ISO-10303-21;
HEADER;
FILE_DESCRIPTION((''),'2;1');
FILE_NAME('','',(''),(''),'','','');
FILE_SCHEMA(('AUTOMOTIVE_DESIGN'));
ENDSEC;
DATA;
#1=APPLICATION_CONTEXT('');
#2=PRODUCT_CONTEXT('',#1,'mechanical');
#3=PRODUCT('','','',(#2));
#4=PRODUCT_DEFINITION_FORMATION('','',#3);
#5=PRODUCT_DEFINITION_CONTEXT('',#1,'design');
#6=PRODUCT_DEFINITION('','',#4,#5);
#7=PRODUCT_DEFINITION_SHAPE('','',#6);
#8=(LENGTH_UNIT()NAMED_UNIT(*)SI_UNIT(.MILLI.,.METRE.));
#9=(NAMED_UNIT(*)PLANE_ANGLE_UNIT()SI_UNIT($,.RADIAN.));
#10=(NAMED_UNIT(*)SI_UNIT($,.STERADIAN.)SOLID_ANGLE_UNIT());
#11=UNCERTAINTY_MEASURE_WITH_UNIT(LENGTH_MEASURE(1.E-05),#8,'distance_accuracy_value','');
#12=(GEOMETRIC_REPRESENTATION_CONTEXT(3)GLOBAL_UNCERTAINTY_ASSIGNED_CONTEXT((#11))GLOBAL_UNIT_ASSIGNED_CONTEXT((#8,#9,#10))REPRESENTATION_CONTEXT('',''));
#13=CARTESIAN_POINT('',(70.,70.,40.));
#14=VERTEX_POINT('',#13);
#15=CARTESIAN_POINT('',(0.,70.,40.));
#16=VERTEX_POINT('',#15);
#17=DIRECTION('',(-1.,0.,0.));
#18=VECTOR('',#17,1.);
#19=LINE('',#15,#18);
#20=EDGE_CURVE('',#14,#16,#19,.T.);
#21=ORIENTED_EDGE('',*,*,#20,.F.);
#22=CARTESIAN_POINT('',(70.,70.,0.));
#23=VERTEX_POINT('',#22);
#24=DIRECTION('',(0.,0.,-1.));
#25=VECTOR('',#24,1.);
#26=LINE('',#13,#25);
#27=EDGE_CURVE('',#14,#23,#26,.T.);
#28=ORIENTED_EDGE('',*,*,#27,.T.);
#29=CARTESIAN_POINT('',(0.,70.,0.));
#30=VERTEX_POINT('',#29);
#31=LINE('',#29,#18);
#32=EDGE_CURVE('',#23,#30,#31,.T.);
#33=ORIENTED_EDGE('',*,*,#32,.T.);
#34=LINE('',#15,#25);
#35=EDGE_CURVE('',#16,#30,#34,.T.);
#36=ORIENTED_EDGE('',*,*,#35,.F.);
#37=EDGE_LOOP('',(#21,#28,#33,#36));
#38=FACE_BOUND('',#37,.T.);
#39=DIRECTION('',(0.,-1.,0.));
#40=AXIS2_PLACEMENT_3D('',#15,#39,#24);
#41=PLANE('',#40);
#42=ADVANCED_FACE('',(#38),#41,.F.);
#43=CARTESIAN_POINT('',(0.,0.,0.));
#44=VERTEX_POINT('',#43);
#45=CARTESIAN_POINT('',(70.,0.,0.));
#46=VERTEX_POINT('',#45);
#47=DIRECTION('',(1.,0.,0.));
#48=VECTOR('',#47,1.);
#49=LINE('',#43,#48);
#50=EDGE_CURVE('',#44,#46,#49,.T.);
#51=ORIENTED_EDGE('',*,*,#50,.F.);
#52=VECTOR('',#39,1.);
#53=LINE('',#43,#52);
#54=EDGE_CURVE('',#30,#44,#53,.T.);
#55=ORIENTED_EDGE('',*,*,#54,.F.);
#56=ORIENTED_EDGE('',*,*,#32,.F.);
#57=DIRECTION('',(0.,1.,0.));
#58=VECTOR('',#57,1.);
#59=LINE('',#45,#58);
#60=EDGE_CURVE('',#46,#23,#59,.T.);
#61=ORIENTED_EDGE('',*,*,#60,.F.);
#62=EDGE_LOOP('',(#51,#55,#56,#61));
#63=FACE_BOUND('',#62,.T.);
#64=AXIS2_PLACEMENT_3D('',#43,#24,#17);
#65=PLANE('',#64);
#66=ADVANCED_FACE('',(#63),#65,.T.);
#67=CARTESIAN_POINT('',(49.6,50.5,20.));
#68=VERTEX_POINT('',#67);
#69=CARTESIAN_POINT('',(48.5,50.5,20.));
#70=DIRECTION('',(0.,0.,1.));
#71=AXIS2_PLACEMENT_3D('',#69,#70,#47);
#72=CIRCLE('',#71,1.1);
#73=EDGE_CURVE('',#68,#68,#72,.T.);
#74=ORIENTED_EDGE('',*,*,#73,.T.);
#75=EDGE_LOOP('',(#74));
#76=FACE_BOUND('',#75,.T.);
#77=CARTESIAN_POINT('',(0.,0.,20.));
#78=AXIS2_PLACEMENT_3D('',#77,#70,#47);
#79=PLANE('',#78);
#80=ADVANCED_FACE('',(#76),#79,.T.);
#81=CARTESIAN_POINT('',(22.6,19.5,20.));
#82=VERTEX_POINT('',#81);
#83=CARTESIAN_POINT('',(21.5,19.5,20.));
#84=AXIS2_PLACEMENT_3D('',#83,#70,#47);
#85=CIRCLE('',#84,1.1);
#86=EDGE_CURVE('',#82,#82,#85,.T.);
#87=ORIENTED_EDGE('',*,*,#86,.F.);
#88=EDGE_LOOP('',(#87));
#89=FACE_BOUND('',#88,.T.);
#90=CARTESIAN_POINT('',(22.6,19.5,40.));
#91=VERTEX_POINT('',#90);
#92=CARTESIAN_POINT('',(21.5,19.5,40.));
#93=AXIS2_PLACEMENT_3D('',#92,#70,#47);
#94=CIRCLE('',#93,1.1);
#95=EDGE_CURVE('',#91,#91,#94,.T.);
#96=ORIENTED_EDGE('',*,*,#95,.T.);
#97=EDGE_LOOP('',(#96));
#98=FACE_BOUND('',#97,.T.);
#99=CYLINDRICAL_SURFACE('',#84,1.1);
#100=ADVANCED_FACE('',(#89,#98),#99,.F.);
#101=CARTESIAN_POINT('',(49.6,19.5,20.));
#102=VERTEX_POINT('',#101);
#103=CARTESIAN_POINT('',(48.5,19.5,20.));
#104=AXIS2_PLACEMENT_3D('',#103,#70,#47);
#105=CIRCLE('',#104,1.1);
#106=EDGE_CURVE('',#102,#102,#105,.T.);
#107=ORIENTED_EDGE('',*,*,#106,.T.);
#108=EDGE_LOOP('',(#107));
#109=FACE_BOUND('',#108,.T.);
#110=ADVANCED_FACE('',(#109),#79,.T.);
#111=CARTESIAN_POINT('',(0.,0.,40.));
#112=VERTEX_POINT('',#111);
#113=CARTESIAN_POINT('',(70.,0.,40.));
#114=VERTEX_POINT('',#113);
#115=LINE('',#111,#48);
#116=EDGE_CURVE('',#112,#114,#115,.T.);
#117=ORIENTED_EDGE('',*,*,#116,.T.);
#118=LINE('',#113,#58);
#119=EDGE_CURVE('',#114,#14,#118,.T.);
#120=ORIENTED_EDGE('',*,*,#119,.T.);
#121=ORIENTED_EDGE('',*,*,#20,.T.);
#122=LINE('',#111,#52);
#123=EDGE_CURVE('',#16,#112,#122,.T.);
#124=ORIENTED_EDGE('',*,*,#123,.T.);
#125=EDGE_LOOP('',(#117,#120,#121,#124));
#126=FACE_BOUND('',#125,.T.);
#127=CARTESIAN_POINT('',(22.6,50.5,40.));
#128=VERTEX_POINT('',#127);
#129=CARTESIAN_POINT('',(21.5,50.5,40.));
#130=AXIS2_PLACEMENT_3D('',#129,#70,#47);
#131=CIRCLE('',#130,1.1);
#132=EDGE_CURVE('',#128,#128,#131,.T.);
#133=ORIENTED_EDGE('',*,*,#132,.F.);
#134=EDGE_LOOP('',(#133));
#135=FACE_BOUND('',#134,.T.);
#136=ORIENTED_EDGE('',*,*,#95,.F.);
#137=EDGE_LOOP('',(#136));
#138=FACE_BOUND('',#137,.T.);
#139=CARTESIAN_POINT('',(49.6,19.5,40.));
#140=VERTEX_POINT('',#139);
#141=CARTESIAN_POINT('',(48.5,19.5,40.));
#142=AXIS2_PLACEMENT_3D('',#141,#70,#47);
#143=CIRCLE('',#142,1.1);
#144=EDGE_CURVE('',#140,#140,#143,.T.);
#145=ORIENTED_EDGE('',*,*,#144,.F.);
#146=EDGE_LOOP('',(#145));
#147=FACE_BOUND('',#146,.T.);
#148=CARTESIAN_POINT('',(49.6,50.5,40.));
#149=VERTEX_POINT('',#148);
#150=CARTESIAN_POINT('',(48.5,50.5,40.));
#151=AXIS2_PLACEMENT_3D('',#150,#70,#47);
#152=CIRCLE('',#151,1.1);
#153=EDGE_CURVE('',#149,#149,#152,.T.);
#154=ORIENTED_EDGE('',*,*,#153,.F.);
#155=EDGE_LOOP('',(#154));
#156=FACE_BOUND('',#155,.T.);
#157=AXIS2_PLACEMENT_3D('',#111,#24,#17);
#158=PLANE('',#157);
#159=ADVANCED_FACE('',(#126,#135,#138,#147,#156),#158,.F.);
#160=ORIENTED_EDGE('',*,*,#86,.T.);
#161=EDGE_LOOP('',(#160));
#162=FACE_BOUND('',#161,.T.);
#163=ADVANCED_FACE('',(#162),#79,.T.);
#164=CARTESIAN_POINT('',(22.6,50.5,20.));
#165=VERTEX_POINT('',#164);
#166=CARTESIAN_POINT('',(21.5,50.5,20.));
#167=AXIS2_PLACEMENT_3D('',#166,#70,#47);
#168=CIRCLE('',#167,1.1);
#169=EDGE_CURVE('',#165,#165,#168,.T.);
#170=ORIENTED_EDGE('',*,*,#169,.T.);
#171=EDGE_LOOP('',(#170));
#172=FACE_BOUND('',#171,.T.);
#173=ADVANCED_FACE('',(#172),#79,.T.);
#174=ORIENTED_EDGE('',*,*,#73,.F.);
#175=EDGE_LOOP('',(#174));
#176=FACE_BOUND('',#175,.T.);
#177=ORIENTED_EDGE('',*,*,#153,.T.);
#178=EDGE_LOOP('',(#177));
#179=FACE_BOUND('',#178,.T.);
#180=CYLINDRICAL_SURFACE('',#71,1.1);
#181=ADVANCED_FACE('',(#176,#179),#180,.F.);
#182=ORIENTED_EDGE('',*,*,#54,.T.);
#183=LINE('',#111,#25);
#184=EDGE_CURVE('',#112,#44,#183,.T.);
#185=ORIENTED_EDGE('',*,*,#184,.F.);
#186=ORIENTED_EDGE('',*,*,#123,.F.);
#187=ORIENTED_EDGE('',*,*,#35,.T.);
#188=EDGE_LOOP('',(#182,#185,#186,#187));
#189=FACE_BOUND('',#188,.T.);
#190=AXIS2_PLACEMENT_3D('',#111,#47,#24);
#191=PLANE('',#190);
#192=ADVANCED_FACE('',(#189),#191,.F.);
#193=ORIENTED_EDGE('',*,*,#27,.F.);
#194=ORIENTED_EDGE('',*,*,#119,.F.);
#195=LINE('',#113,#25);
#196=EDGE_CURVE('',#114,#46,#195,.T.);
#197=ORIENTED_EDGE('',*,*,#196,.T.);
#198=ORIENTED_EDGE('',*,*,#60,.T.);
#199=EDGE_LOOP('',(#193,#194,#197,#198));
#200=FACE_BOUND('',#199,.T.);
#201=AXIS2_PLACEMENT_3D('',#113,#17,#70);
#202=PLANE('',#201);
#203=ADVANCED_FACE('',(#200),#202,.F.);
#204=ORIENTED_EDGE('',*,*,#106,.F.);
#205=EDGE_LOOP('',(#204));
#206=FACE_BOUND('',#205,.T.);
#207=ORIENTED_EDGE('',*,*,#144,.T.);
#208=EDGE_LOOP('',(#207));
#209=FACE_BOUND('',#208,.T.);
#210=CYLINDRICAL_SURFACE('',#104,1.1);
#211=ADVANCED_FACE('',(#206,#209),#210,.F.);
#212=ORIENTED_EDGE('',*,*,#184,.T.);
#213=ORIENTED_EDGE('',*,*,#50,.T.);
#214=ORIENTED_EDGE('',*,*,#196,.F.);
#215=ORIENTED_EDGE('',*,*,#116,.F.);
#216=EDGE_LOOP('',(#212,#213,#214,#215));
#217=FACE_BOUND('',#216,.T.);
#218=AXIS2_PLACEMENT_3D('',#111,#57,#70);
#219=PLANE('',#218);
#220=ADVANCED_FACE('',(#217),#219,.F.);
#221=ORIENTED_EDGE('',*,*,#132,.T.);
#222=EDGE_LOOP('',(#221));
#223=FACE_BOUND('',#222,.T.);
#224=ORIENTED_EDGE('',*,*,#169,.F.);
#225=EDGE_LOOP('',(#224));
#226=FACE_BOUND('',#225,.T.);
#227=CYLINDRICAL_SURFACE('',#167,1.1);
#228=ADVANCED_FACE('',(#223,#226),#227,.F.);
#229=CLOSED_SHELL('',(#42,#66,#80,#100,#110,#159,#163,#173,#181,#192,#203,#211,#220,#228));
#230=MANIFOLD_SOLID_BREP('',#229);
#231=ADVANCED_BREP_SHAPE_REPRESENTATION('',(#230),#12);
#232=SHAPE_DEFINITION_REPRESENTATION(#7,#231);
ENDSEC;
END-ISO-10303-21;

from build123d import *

# Parameters (mm, degrees)
SKETCH_1_W          = 70
SKETCH_1_H          = 70
EXTRUDE_1_DEPTH     = 40
SKETCH_2_R          = 1.1
CUT_EXTRUDE_1_DEPTH = 20


with BuildPart() as part:
    # 草图1 → 凸台-拉伸1 (new body)
    with BuildSketch(Plane.XY):
        with Locations((35, 35)):
            Rectangle(SKETCH_1_W, SKETCH_1_H)
    extrude(amount=EXTRUDE_1_DEPTH)

    # 草图2 → 切除-拉伸1 (cut)
    with BuildSketch(Plane.XY.offset(40)):
        with Locations((21.5, 50.5)):
            Circle(SKETCH_2_R)
        with Locations((48.5, 50.5)):
            Circle(SKETCH_2_R)
        with Locations((48.5, 19.5)):
            Circle(SKETCH_2_R)
        with Locations((21.5, 19.5)):
            Circle(SKETCH_2_R)
    extrude(amount=-CUT_EXTRUDE_1_DEPTH, mode=Mode.SUBTRACT)


solid = part.part
